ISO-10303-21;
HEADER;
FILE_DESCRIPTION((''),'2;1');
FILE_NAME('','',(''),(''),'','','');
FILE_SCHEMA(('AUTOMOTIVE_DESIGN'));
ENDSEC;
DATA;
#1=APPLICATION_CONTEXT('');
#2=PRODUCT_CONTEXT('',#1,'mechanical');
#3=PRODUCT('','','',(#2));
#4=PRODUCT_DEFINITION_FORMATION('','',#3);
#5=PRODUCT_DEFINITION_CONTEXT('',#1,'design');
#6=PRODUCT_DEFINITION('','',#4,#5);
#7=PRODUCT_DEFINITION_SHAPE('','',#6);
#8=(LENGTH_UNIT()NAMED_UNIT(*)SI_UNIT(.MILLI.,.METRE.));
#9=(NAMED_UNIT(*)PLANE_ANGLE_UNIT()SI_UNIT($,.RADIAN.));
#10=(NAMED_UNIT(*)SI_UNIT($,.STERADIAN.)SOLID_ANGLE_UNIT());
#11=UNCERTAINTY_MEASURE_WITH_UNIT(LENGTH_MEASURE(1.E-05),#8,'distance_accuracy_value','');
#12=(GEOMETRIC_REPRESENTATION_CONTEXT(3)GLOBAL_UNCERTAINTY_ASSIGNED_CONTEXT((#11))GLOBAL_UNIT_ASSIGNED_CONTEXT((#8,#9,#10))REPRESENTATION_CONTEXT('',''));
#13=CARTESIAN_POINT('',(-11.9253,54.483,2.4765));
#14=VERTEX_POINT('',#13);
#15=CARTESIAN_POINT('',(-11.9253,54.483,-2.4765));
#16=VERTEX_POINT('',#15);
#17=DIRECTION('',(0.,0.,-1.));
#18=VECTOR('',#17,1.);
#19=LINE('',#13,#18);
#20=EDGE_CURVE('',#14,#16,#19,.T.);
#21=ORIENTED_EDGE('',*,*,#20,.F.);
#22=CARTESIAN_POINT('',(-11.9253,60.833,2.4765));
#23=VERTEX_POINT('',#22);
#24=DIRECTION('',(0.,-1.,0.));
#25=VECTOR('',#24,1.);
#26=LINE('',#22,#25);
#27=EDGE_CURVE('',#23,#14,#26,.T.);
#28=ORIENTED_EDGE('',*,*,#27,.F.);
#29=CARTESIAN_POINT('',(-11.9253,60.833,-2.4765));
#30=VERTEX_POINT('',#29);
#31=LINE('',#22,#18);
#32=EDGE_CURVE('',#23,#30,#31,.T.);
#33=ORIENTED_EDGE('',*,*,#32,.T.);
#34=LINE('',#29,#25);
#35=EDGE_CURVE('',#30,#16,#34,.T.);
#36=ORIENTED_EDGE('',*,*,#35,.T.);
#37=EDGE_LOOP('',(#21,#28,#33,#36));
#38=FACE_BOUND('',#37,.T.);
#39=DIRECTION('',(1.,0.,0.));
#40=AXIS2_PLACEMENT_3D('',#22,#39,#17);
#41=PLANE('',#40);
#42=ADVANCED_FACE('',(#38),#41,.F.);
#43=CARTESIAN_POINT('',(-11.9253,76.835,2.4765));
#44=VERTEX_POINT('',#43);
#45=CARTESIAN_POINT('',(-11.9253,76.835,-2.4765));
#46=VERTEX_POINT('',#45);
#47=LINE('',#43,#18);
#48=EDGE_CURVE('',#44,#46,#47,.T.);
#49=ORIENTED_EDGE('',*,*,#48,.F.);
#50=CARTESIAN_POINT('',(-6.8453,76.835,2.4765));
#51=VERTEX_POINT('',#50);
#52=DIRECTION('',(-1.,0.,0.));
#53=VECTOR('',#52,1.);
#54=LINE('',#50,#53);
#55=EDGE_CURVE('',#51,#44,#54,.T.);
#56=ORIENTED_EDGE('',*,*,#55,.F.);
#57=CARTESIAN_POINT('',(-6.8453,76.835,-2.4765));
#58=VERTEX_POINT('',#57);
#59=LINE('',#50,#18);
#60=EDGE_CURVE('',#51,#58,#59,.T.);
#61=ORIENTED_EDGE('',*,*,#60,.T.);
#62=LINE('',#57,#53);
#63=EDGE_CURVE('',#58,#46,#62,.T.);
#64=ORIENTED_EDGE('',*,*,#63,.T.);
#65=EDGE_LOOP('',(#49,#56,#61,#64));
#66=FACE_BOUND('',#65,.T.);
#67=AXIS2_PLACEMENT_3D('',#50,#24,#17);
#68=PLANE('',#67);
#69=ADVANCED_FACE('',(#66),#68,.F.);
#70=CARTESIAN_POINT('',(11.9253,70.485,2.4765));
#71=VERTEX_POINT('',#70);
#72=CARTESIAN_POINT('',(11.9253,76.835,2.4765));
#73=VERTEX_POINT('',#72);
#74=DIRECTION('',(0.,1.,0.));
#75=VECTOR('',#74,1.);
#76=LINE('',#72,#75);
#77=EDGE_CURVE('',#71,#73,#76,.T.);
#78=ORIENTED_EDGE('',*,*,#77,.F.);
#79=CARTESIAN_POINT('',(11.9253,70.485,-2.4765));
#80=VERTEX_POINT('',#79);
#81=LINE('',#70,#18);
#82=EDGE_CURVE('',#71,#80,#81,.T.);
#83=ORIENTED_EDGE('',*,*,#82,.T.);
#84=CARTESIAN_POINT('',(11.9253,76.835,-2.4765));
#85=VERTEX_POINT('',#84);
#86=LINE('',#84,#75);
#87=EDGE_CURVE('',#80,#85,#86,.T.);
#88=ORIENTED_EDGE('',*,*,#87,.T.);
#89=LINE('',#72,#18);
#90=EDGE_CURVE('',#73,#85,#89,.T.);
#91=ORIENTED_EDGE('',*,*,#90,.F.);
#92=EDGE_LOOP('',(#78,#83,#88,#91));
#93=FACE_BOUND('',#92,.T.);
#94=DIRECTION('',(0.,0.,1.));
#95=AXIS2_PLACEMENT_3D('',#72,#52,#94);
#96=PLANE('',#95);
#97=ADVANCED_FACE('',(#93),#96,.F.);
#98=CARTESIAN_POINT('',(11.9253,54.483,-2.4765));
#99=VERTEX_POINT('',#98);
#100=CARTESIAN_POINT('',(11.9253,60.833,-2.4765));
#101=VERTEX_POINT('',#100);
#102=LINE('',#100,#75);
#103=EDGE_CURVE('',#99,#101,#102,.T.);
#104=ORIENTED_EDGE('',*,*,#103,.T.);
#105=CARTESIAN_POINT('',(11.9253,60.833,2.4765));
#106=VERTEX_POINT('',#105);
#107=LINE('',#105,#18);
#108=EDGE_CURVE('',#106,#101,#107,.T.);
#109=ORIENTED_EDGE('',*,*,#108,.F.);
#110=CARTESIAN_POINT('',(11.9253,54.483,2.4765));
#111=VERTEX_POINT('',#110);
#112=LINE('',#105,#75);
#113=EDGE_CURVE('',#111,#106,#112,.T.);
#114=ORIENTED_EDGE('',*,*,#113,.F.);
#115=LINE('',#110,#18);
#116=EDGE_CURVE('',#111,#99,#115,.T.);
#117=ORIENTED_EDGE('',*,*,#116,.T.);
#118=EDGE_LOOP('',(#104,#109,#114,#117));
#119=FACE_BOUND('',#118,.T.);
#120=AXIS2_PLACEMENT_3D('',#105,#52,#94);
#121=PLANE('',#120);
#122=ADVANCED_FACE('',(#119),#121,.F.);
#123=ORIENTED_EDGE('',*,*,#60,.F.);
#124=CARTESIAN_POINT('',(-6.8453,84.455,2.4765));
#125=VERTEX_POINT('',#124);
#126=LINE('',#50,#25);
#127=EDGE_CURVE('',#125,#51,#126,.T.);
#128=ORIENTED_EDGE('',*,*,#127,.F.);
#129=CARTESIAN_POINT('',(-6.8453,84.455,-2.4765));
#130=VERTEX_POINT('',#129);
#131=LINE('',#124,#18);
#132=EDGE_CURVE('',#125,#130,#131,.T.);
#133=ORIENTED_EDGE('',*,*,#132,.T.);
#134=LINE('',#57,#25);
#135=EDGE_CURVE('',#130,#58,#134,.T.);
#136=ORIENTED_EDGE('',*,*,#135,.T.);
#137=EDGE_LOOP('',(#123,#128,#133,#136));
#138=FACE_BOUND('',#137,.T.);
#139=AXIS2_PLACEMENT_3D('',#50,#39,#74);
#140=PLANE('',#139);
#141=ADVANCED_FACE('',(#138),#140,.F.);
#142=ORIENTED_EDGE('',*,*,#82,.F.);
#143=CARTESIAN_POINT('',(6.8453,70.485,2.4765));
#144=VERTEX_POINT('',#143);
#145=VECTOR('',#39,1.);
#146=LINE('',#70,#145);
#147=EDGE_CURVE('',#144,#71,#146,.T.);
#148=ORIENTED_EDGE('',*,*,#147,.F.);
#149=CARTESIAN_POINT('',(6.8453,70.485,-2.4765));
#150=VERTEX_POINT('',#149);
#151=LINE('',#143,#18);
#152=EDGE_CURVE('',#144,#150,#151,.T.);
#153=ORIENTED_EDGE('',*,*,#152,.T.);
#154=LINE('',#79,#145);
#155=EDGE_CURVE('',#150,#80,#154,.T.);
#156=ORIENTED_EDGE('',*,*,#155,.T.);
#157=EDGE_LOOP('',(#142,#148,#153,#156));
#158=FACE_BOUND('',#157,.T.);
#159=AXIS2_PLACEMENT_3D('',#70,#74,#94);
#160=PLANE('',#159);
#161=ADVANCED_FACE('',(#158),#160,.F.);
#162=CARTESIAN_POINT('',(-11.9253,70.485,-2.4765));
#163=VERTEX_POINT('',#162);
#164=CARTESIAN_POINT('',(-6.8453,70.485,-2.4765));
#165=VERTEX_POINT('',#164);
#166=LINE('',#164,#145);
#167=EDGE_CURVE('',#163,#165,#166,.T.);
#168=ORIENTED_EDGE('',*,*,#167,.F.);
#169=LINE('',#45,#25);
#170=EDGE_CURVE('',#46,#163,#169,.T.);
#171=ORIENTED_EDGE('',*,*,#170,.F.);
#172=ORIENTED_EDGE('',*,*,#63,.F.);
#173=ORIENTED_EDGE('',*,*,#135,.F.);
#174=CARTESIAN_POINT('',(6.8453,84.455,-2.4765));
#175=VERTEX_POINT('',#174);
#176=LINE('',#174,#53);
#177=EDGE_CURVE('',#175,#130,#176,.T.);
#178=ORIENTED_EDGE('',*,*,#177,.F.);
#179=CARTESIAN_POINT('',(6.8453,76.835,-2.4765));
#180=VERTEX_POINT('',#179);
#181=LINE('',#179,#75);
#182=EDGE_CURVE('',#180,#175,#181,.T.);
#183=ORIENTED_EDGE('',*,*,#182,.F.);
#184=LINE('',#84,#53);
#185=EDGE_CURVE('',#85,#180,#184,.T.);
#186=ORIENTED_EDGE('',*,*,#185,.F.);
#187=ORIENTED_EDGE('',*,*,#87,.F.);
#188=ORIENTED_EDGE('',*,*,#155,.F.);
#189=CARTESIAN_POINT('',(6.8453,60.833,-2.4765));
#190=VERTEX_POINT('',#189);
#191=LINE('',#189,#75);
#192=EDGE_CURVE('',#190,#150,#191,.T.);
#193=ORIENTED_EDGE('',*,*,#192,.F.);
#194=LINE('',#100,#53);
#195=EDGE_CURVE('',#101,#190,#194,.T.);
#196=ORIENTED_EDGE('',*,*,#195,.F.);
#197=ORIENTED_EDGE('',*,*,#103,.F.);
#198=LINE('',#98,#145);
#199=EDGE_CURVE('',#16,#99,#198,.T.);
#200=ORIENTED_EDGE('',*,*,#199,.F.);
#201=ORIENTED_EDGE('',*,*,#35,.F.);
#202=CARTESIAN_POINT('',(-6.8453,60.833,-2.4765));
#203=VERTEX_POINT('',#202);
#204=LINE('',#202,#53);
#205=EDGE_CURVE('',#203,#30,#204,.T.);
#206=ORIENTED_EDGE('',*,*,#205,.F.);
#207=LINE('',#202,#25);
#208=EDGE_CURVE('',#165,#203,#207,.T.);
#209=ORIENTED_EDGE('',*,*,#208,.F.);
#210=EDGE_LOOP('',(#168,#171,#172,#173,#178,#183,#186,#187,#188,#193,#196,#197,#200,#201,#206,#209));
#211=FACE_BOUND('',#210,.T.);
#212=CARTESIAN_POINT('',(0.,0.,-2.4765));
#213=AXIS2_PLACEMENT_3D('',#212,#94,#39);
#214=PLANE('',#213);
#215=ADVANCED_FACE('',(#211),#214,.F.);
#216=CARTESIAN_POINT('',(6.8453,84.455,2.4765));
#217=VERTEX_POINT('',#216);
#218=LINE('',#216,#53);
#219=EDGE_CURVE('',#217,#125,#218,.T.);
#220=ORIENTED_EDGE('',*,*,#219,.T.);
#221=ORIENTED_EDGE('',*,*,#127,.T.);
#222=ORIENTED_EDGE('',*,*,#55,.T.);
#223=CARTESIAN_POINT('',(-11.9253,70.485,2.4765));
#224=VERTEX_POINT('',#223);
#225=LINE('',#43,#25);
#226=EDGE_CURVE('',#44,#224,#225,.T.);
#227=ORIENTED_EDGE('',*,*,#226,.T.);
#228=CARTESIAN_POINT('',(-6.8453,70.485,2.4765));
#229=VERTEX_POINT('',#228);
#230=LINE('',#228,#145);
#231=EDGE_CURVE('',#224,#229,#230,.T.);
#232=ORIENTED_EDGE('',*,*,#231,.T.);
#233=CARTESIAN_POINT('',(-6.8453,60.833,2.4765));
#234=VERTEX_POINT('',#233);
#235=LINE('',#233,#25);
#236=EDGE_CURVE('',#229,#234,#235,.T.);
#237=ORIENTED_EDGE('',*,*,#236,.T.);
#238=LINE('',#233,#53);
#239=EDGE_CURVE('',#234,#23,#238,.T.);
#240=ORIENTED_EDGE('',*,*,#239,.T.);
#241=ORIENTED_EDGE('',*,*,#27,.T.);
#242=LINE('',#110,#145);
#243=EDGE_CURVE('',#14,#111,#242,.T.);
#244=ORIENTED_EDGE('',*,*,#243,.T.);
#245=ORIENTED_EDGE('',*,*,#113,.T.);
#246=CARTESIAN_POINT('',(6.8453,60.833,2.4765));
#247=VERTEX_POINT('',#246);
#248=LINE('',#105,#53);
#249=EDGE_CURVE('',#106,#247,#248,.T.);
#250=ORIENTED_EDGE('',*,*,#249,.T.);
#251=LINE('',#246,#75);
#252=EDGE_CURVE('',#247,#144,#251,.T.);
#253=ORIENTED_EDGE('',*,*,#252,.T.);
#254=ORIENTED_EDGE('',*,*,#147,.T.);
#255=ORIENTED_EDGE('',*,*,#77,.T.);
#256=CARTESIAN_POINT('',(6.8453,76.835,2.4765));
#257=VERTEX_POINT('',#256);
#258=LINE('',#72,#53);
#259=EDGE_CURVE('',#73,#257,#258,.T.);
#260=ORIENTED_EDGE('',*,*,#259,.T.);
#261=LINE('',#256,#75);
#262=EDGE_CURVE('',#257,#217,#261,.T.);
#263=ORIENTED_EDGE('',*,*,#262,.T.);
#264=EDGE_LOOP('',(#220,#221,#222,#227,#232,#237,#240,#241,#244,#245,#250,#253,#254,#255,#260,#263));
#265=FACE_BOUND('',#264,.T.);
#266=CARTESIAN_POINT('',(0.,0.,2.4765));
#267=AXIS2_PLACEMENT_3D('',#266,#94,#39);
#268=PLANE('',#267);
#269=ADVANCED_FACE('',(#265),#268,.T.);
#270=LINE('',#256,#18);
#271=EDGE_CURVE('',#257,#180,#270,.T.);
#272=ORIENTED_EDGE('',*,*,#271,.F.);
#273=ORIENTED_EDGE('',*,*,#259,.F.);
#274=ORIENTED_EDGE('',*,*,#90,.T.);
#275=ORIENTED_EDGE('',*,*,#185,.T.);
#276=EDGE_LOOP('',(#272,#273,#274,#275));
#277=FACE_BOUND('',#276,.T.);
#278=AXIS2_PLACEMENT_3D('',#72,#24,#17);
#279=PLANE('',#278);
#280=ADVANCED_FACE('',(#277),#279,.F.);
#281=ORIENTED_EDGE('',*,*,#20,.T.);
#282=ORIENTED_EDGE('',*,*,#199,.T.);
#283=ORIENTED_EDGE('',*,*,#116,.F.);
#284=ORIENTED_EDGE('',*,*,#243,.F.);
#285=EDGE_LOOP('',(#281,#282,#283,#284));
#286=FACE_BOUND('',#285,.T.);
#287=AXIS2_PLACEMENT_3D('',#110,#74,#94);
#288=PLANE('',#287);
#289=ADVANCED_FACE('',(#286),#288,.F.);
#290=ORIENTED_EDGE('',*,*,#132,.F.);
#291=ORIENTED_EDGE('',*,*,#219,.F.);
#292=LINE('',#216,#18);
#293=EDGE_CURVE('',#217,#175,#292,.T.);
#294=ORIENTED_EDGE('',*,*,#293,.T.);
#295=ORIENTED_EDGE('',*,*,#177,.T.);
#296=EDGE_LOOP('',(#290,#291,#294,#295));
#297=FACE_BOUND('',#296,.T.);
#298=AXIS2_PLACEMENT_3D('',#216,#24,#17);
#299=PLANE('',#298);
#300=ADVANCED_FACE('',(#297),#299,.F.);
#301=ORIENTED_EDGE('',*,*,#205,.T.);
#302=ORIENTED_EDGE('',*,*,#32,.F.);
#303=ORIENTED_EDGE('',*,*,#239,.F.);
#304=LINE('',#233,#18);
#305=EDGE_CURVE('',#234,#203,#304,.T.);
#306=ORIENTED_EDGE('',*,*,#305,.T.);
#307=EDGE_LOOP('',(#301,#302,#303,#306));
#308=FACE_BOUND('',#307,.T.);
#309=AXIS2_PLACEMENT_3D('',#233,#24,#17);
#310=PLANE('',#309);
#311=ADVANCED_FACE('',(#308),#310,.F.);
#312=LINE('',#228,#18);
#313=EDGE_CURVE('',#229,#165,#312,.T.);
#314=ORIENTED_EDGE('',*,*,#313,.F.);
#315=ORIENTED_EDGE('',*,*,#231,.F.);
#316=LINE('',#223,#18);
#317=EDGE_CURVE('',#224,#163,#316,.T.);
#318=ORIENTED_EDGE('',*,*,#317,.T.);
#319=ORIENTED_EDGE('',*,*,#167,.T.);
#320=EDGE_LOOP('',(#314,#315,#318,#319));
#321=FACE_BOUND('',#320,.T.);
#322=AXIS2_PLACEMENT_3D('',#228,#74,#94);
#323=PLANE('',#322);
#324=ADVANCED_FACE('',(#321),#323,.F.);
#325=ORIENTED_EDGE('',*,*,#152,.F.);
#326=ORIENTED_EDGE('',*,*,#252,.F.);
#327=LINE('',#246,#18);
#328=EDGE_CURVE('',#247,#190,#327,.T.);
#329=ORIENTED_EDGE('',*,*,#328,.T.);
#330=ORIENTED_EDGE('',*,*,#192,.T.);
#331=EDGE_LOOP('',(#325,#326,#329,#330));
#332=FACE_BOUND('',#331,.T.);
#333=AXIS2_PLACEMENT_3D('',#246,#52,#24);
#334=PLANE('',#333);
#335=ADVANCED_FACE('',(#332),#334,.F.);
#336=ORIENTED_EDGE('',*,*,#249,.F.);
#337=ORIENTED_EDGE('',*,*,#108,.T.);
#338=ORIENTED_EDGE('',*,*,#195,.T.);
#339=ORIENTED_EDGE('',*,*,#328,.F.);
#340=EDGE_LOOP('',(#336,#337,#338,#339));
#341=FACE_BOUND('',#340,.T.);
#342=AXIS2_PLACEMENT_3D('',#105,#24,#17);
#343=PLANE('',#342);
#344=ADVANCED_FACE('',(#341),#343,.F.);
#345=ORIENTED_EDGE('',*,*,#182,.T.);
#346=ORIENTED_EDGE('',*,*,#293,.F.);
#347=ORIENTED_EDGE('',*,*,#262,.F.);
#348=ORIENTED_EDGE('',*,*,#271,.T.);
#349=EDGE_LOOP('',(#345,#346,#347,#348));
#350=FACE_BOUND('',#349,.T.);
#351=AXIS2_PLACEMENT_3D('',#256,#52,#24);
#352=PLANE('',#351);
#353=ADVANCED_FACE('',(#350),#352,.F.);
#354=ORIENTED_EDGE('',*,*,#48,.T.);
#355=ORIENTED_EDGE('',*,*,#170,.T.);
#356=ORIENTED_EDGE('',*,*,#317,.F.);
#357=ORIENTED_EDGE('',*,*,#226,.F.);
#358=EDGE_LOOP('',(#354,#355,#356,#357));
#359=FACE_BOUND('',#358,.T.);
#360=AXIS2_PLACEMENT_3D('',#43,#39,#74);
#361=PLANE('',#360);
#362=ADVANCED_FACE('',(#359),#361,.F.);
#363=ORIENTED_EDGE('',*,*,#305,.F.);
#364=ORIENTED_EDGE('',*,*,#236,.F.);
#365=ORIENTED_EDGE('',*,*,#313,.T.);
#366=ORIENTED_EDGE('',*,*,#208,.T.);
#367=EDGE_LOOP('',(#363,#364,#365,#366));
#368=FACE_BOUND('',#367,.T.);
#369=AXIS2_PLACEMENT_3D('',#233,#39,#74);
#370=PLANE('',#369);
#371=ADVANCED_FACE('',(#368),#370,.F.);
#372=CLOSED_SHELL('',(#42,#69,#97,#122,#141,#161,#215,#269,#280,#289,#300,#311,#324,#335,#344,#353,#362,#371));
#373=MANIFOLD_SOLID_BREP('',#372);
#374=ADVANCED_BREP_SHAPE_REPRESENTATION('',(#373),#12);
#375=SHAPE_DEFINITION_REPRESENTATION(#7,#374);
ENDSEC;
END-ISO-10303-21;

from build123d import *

# Parameters (mm, degrees)
BOSS_EXTRUDE1_DEPTH = 2.4765


with BuildPart() as part:
    # Sketch1 → Boss-Extrude1 (new, symmetric)
    with BuildSketch(Plane.XY):
        Polygon((6.8453, 60.833), (6.8453, 70.485), (11.9253, 70.485), (11.9253, 76.835), (6.8453, 76.835), (6.8453, 84.455), (-6.8453, 84.455), (-6.8453, 76.835), (-11.9253, 76.835), (-11.9253, 70.485), (-6.8453, 70.485), (-6.8453, 60.833), (-11.9253, 60.833), (-11.9253, 54.483), (11.9253, 54.483), (11.9253, 60.833), align=None)
    extrude(amount=BOSS_EXTRUDE1_DEPTH, both=True)


solid = part.part
